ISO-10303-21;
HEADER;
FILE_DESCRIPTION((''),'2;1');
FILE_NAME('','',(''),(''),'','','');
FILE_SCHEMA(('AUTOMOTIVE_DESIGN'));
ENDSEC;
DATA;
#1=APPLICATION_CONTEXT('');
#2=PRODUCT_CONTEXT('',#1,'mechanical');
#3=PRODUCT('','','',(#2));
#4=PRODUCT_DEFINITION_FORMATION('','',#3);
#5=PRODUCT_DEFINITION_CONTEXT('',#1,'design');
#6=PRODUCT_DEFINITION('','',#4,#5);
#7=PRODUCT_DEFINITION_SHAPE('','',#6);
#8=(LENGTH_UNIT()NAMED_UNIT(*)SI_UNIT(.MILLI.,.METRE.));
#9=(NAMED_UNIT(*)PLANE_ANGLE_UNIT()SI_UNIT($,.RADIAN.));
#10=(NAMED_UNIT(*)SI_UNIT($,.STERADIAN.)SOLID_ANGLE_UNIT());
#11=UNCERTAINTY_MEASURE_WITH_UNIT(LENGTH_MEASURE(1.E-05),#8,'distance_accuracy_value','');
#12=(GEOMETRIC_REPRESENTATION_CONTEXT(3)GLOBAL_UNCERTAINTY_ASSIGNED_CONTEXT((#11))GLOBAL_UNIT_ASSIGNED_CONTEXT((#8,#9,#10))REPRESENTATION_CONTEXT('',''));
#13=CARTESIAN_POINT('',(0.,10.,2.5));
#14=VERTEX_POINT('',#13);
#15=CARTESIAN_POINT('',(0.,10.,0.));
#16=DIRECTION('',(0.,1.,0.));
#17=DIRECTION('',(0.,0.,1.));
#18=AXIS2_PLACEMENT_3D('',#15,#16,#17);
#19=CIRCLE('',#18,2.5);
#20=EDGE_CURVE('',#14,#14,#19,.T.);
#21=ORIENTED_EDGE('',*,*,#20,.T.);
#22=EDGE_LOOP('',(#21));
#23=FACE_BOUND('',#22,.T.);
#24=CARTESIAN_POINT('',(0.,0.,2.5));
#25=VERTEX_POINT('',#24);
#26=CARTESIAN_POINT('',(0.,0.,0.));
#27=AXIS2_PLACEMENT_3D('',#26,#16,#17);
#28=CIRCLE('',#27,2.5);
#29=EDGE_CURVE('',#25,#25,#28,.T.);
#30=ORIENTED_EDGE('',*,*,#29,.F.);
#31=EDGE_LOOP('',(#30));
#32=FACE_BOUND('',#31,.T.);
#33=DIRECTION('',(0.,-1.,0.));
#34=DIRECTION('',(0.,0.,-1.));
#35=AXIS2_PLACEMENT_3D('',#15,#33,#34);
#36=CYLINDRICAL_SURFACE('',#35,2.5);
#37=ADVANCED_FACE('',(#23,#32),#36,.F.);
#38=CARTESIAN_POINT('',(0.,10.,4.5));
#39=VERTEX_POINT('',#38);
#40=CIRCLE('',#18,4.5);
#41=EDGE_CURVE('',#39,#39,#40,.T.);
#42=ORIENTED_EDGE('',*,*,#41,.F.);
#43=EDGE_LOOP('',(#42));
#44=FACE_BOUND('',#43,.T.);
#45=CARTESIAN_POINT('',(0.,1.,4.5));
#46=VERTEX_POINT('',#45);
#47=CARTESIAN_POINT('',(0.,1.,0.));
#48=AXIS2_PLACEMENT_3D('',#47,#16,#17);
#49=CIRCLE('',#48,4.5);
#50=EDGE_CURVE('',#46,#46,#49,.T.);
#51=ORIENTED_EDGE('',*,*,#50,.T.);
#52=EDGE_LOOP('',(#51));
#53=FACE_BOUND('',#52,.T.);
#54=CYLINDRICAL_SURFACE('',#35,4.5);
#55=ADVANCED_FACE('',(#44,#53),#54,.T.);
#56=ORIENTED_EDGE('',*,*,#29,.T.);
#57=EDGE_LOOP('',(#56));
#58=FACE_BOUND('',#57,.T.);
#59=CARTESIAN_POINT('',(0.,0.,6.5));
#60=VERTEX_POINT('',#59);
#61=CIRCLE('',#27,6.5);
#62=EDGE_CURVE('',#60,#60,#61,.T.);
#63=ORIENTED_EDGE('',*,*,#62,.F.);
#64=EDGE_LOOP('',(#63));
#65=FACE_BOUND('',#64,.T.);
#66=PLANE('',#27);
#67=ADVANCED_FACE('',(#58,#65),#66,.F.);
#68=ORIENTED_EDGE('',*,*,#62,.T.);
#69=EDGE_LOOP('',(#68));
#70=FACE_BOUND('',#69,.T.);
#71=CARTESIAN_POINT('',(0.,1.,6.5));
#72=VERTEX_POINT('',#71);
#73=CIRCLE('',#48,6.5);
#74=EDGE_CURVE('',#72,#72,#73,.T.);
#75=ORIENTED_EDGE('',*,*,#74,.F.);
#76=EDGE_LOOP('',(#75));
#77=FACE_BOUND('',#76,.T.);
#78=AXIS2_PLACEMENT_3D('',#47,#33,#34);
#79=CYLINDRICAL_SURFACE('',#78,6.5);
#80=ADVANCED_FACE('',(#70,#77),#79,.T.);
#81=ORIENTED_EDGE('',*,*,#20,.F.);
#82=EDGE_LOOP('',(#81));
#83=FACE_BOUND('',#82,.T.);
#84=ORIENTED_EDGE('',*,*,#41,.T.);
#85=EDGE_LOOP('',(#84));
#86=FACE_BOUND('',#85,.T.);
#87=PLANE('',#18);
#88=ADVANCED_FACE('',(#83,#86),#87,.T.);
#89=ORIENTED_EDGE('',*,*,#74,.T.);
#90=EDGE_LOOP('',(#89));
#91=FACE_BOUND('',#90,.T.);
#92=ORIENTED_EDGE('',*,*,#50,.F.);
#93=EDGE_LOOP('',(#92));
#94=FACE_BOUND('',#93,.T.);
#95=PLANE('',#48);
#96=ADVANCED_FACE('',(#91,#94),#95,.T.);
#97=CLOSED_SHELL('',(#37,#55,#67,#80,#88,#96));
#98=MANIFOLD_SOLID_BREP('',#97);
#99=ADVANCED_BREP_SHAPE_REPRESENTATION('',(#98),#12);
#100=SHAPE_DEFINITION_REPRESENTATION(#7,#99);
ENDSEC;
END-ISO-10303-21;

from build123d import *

# Parameters (mm, degrees)
SKETCH1_R           = 4.5
SKETCH1_R_2         = 2.5
BOSS_EXTRUDE1_DEPTH = 10
SKETCH1_3_R         = 6.5
SKETCH1_3_R_2       = 4.5
BOSS_EXTRUDE2_DEPTH = 1


with BuildPart() as part:
    # Sketch1 → Boss-Extrude1 (new body)
    with BuildSketch(Plane(origin=(0, 0, 0), x_dir=(1, 0, 0), z_dir=(0, 1, 0))):
        Circle(SKETCH1_R)
        Circle(SKETCH1_R_2, mode=Mode.SUBTRACT)
    extrude(amount=BOSS_EXTRUDE1_DEPTH)

    # Sketch1<3> → Boss-Extrude2 (add)
    with BuildSketch(Plane(origin=(0, 0, 0), x_dir=(1, 0, 0), z_dir=(0, 1, 0))):
        Circle(SKETCH1_3_R)
        Circle(SKETCH1_3_R_2, mode=Mode.SUBTRACT)
    extrude(amount=BOSS_EXTRUDE2_DEPTH)


solid = part.part
